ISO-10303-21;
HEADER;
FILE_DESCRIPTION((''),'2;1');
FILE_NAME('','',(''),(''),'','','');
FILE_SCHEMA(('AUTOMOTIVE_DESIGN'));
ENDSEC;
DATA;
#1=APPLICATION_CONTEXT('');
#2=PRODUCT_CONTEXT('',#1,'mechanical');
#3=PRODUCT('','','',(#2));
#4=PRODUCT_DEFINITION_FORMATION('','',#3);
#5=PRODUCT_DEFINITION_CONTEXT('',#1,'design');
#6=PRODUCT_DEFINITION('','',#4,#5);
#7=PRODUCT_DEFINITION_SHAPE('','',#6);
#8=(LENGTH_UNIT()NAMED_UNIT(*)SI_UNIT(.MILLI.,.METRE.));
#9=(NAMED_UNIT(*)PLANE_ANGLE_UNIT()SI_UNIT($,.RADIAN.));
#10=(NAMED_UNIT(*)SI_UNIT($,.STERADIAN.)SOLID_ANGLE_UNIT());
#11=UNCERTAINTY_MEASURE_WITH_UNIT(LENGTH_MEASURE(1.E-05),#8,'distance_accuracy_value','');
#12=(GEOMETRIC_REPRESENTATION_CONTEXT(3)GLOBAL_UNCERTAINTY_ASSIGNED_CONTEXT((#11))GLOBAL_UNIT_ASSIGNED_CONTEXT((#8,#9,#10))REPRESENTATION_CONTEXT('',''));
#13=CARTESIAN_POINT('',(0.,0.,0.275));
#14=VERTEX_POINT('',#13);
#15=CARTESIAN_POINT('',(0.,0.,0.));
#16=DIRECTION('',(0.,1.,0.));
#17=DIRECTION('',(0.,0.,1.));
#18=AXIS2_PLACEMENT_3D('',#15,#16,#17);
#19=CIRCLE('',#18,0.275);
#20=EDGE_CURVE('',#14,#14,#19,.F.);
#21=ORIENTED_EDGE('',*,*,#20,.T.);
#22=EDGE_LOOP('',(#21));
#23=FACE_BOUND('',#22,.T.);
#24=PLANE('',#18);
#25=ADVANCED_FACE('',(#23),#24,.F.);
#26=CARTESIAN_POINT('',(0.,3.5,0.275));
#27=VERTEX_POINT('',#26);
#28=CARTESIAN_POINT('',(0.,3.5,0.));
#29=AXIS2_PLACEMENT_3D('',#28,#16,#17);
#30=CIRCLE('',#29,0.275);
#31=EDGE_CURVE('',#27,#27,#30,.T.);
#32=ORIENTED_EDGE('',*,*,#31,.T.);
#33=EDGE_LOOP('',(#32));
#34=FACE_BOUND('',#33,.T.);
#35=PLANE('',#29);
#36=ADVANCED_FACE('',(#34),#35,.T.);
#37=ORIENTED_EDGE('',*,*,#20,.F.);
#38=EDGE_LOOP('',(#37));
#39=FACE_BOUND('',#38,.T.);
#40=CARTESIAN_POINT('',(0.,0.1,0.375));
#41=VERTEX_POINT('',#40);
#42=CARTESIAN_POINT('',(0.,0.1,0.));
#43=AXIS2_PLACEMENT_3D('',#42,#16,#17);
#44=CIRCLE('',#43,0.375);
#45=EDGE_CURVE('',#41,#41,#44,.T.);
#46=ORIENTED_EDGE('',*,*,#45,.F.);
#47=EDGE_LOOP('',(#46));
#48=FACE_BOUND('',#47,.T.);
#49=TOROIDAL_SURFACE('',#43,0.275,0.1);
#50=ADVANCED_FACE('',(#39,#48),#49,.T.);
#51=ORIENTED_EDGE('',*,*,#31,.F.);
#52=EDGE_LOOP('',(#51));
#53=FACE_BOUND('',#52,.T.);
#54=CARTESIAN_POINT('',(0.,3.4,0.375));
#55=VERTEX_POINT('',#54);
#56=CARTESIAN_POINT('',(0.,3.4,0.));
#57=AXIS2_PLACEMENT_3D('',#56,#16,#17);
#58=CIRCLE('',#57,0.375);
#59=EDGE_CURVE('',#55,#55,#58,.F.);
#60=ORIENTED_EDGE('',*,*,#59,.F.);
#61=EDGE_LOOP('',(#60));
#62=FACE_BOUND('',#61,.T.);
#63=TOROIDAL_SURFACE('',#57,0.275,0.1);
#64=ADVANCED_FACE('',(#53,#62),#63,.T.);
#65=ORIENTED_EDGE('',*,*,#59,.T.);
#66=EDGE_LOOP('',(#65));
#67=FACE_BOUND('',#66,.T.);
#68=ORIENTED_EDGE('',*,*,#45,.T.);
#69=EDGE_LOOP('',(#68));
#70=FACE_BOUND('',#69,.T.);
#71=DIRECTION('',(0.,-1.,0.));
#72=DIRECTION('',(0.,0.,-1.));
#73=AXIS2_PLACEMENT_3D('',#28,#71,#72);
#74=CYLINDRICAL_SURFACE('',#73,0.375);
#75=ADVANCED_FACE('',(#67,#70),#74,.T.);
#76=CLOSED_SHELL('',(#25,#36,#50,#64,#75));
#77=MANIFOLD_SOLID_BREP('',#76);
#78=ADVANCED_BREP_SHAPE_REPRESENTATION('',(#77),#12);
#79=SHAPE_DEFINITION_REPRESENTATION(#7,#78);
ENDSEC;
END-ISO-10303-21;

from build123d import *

# Parameters (mm, degrees)
SKETCH_1_R      = 0.375
EXTRUDE_1_DEPTH = 3.5
FILLET_1_R      = 0.1


with BuildPart() as part:
    # Эскиз1 → Бобышка-Вытянуть1 (new body)
    with BuildSketch(Plane(origin=(0, 0, 0), x_dir=(1, 0, 0), z_dir=(0, 1, 0))):
        with Locations(Location((0, 0, 0), (0, 0, 270))):
            Circle(SKETCH_1_R)
    extrude(amount=EXTRUDE_1_DEPTH)

    # Скругление1
    fillet_1_edges = [part.edges().sort_by_distance(p)[0] for p in [
        (0, 0, -0.375),
        (0, 3.5, -0.375),
    ]]
    fillet(fillet_1_edges, radius=FILLET_1_R)


solid = part.part
